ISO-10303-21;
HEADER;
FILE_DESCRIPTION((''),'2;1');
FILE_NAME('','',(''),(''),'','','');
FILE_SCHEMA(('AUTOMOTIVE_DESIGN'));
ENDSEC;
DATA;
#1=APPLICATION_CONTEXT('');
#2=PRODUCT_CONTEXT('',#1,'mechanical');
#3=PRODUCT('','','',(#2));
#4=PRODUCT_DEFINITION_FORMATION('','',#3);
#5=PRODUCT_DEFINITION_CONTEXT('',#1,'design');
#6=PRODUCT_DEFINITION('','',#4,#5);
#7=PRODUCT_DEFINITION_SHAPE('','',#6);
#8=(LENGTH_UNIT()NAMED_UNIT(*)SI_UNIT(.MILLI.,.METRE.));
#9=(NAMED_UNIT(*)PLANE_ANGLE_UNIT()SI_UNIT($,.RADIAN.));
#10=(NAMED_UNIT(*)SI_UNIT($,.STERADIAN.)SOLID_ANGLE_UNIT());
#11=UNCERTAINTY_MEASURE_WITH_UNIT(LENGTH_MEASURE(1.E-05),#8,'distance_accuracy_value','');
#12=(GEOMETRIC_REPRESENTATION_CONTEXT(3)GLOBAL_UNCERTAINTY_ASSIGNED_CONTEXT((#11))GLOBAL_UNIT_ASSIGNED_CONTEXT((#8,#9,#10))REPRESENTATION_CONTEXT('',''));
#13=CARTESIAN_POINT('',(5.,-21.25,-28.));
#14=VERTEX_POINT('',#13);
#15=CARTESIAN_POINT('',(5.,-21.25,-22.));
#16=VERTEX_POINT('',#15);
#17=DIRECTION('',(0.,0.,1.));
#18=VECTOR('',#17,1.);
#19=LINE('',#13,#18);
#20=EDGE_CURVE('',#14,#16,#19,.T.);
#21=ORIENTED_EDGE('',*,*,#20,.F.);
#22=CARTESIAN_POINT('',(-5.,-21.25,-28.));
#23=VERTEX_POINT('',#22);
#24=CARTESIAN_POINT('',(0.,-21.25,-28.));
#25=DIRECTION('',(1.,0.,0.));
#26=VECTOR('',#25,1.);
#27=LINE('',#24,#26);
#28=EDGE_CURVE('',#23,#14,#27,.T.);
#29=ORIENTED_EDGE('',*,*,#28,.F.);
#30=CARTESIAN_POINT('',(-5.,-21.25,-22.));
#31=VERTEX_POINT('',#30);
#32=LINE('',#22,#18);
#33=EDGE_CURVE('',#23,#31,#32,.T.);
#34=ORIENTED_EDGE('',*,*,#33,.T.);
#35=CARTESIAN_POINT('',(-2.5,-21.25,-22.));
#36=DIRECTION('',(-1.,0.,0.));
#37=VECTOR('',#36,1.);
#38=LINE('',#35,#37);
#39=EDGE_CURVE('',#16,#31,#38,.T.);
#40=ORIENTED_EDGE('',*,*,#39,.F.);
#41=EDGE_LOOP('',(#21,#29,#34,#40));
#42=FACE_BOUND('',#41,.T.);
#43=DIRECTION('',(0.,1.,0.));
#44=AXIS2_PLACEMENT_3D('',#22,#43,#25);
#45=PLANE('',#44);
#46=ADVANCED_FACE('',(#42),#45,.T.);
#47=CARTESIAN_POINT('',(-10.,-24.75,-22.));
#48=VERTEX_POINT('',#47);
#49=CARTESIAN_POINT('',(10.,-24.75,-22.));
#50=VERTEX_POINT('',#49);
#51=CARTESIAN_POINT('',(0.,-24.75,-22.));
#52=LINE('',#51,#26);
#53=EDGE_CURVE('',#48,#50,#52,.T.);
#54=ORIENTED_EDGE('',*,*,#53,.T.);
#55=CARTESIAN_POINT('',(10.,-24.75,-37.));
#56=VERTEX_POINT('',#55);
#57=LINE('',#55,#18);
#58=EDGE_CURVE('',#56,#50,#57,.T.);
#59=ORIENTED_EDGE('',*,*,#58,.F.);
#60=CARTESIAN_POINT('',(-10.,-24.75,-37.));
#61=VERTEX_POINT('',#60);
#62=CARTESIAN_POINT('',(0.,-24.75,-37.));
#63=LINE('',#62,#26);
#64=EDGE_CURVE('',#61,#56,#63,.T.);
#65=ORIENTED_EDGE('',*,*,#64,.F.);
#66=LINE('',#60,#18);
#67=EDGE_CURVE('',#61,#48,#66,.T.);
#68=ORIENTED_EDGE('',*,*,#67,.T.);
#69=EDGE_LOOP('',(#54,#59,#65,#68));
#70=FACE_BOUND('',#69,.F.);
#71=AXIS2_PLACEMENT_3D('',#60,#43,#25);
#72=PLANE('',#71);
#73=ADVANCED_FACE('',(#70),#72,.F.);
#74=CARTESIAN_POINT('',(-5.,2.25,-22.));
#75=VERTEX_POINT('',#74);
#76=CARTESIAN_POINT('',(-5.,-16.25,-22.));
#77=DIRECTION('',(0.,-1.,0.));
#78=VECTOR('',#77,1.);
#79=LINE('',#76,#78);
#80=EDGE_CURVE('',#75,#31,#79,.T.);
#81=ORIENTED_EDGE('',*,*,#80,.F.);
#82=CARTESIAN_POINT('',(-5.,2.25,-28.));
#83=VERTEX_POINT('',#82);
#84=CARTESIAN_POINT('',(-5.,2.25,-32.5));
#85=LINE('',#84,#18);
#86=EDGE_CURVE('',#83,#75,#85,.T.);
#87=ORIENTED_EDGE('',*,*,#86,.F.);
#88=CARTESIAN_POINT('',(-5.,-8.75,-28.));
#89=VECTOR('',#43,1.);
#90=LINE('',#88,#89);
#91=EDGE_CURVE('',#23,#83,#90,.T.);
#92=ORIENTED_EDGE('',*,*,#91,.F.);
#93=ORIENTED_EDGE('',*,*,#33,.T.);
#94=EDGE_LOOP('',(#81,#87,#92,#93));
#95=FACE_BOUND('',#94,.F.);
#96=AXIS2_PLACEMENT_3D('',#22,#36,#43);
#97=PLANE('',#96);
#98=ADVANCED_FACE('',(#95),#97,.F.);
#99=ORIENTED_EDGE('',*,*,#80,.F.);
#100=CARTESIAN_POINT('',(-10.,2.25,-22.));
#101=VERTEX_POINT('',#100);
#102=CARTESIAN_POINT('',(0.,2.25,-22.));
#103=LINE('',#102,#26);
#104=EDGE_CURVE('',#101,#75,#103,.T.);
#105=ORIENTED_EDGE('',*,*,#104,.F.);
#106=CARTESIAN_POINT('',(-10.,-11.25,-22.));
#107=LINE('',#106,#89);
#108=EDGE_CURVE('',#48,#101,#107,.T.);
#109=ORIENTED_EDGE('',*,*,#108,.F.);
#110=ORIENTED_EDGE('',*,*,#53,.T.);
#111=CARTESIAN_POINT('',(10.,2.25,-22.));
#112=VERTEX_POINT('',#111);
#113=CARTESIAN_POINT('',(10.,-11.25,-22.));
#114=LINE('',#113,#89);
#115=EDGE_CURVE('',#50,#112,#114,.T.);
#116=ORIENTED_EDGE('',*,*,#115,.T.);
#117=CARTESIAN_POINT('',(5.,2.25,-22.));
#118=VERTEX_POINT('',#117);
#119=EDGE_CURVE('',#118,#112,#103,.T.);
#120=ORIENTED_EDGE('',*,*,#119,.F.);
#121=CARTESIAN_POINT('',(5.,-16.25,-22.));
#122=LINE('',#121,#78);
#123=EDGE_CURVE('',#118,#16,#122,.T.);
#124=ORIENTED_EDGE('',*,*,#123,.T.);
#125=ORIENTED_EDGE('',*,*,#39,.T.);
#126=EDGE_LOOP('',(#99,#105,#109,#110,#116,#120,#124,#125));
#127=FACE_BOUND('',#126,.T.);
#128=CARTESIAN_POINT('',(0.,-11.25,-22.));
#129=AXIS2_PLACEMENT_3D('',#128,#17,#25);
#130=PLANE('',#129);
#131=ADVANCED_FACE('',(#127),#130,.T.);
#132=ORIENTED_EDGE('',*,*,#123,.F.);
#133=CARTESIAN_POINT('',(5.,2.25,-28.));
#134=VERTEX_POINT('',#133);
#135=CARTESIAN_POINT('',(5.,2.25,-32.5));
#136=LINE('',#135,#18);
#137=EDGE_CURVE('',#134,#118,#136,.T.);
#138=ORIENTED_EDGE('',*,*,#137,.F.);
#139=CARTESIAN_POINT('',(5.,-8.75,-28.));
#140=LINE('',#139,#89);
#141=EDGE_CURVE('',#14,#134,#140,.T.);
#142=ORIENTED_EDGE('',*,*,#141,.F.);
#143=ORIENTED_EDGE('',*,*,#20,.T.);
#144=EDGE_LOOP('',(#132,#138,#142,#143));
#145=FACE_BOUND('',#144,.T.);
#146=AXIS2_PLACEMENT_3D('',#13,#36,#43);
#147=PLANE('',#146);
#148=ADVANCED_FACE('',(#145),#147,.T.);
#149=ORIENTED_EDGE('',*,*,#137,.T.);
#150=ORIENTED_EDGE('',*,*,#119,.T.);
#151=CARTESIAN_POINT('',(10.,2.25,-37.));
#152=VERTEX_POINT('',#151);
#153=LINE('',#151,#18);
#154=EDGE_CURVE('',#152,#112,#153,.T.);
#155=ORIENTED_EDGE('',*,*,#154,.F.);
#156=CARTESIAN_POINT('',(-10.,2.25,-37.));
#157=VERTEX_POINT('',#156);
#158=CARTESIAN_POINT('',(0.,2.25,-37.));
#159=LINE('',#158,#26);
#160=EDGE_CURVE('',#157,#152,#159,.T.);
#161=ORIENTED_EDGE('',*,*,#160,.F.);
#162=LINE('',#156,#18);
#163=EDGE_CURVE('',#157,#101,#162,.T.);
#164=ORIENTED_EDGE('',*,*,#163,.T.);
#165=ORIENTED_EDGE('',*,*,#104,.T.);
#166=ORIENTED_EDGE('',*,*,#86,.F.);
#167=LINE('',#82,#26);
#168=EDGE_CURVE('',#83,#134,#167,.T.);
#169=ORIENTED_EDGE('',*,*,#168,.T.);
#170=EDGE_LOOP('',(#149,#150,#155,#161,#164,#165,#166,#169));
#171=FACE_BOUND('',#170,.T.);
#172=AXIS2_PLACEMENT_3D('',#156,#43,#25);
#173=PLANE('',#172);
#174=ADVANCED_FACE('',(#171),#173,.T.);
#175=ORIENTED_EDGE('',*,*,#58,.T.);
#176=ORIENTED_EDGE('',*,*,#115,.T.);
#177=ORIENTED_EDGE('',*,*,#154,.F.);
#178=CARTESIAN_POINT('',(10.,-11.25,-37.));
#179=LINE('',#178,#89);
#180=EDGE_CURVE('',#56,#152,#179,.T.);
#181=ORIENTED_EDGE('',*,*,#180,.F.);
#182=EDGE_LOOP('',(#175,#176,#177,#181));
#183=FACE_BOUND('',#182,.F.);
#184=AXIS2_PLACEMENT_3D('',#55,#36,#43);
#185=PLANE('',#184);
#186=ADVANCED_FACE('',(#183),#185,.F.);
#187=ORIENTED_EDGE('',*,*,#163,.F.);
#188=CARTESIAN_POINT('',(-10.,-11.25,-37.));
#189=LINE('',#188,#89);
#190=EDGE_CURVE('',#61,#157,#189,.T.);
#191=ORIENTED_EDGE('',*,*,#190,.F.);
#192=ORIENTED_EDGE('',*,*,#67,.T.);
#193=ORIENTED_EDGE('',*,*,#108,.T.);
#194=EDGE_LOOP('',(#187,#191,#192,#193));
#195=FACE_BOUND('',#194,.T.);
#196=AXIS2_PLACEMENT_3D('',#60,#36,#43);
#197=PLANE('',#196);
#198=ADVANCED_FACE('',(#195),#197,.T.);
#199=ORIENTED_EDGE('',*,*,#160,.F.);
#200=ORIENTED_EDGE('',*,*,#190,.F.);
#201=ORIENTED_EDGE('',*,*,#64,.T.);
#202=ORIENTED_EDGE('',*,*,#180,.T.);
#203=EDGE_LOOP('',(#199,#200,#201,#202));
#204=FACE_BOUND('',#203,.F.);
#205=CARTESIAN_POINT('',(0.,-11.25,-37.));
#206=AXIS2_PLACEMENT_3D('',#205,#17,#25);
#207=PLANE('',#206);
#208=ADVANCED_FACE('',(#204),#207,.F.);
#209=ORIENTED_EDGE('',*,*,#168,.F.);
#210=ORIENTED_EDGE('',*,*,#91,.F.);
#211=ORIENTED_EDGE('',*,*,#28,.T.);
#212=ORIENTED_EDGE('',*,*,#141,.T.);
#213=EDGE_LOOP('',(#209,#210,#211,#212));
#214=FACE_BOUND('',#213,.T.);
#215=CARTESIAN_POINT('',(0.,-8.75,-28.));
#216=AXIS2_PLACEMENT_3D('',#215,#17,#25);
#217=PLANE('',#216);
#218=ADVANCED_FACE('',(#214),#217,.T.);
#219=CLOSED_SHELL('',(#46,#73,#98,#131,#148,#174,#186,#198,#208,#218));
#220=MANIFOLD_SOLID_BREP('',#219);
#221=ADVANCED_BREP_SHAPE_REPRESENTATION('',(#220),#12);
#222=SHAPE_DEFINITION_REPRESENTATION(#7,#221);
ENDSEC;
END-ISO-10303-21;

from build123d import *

# Parameters (mm, degrees)
BOX005_W     = 10
BOX005_H     = 25
BOX005_DEPTH = 10
BOX006_W     = 20
BOX006_H     = 27
BOX006_DEPTH = 15


with BuildPart() as gear_box002:
    # Box005 → Box005 (new body)
    with BuildSketch(Plane(origin=(-5, -24.5, 16), x_dir=(1, 0, 0), z_dir=(0, 0, 1))):
        with Locations((5, 12.5)):
            Rectangle(BOX005_W, BOX005_H)
    extrude(amount=BOX005_DEPTH)


with BuildPart() as motor_mount_cutout001:
    # Box006 → Box006 (new body)
    with BuildSketch(Plane(origin=(-10, -28, 7), x_dir=(1, 0, 0), z_dir=(0, 0, 1))):
        with Locations((10, 13.5)):
            Rectangle(BOX006_W, BOX006_H)
    extrude(amount=BOX006_DEPTH)

    # Cut002: cut gear_box002
    add(gear_box002.part, mode=Mode.SUBTRACT)


with BuildPart() as motor_mount_cutout001_1:
    # Cut002 placement: moved
    add(motor_mount_cutout001.part.moved(Location((0, 3.25, -44))))


solid = motor_mount_cutout001_1.part
